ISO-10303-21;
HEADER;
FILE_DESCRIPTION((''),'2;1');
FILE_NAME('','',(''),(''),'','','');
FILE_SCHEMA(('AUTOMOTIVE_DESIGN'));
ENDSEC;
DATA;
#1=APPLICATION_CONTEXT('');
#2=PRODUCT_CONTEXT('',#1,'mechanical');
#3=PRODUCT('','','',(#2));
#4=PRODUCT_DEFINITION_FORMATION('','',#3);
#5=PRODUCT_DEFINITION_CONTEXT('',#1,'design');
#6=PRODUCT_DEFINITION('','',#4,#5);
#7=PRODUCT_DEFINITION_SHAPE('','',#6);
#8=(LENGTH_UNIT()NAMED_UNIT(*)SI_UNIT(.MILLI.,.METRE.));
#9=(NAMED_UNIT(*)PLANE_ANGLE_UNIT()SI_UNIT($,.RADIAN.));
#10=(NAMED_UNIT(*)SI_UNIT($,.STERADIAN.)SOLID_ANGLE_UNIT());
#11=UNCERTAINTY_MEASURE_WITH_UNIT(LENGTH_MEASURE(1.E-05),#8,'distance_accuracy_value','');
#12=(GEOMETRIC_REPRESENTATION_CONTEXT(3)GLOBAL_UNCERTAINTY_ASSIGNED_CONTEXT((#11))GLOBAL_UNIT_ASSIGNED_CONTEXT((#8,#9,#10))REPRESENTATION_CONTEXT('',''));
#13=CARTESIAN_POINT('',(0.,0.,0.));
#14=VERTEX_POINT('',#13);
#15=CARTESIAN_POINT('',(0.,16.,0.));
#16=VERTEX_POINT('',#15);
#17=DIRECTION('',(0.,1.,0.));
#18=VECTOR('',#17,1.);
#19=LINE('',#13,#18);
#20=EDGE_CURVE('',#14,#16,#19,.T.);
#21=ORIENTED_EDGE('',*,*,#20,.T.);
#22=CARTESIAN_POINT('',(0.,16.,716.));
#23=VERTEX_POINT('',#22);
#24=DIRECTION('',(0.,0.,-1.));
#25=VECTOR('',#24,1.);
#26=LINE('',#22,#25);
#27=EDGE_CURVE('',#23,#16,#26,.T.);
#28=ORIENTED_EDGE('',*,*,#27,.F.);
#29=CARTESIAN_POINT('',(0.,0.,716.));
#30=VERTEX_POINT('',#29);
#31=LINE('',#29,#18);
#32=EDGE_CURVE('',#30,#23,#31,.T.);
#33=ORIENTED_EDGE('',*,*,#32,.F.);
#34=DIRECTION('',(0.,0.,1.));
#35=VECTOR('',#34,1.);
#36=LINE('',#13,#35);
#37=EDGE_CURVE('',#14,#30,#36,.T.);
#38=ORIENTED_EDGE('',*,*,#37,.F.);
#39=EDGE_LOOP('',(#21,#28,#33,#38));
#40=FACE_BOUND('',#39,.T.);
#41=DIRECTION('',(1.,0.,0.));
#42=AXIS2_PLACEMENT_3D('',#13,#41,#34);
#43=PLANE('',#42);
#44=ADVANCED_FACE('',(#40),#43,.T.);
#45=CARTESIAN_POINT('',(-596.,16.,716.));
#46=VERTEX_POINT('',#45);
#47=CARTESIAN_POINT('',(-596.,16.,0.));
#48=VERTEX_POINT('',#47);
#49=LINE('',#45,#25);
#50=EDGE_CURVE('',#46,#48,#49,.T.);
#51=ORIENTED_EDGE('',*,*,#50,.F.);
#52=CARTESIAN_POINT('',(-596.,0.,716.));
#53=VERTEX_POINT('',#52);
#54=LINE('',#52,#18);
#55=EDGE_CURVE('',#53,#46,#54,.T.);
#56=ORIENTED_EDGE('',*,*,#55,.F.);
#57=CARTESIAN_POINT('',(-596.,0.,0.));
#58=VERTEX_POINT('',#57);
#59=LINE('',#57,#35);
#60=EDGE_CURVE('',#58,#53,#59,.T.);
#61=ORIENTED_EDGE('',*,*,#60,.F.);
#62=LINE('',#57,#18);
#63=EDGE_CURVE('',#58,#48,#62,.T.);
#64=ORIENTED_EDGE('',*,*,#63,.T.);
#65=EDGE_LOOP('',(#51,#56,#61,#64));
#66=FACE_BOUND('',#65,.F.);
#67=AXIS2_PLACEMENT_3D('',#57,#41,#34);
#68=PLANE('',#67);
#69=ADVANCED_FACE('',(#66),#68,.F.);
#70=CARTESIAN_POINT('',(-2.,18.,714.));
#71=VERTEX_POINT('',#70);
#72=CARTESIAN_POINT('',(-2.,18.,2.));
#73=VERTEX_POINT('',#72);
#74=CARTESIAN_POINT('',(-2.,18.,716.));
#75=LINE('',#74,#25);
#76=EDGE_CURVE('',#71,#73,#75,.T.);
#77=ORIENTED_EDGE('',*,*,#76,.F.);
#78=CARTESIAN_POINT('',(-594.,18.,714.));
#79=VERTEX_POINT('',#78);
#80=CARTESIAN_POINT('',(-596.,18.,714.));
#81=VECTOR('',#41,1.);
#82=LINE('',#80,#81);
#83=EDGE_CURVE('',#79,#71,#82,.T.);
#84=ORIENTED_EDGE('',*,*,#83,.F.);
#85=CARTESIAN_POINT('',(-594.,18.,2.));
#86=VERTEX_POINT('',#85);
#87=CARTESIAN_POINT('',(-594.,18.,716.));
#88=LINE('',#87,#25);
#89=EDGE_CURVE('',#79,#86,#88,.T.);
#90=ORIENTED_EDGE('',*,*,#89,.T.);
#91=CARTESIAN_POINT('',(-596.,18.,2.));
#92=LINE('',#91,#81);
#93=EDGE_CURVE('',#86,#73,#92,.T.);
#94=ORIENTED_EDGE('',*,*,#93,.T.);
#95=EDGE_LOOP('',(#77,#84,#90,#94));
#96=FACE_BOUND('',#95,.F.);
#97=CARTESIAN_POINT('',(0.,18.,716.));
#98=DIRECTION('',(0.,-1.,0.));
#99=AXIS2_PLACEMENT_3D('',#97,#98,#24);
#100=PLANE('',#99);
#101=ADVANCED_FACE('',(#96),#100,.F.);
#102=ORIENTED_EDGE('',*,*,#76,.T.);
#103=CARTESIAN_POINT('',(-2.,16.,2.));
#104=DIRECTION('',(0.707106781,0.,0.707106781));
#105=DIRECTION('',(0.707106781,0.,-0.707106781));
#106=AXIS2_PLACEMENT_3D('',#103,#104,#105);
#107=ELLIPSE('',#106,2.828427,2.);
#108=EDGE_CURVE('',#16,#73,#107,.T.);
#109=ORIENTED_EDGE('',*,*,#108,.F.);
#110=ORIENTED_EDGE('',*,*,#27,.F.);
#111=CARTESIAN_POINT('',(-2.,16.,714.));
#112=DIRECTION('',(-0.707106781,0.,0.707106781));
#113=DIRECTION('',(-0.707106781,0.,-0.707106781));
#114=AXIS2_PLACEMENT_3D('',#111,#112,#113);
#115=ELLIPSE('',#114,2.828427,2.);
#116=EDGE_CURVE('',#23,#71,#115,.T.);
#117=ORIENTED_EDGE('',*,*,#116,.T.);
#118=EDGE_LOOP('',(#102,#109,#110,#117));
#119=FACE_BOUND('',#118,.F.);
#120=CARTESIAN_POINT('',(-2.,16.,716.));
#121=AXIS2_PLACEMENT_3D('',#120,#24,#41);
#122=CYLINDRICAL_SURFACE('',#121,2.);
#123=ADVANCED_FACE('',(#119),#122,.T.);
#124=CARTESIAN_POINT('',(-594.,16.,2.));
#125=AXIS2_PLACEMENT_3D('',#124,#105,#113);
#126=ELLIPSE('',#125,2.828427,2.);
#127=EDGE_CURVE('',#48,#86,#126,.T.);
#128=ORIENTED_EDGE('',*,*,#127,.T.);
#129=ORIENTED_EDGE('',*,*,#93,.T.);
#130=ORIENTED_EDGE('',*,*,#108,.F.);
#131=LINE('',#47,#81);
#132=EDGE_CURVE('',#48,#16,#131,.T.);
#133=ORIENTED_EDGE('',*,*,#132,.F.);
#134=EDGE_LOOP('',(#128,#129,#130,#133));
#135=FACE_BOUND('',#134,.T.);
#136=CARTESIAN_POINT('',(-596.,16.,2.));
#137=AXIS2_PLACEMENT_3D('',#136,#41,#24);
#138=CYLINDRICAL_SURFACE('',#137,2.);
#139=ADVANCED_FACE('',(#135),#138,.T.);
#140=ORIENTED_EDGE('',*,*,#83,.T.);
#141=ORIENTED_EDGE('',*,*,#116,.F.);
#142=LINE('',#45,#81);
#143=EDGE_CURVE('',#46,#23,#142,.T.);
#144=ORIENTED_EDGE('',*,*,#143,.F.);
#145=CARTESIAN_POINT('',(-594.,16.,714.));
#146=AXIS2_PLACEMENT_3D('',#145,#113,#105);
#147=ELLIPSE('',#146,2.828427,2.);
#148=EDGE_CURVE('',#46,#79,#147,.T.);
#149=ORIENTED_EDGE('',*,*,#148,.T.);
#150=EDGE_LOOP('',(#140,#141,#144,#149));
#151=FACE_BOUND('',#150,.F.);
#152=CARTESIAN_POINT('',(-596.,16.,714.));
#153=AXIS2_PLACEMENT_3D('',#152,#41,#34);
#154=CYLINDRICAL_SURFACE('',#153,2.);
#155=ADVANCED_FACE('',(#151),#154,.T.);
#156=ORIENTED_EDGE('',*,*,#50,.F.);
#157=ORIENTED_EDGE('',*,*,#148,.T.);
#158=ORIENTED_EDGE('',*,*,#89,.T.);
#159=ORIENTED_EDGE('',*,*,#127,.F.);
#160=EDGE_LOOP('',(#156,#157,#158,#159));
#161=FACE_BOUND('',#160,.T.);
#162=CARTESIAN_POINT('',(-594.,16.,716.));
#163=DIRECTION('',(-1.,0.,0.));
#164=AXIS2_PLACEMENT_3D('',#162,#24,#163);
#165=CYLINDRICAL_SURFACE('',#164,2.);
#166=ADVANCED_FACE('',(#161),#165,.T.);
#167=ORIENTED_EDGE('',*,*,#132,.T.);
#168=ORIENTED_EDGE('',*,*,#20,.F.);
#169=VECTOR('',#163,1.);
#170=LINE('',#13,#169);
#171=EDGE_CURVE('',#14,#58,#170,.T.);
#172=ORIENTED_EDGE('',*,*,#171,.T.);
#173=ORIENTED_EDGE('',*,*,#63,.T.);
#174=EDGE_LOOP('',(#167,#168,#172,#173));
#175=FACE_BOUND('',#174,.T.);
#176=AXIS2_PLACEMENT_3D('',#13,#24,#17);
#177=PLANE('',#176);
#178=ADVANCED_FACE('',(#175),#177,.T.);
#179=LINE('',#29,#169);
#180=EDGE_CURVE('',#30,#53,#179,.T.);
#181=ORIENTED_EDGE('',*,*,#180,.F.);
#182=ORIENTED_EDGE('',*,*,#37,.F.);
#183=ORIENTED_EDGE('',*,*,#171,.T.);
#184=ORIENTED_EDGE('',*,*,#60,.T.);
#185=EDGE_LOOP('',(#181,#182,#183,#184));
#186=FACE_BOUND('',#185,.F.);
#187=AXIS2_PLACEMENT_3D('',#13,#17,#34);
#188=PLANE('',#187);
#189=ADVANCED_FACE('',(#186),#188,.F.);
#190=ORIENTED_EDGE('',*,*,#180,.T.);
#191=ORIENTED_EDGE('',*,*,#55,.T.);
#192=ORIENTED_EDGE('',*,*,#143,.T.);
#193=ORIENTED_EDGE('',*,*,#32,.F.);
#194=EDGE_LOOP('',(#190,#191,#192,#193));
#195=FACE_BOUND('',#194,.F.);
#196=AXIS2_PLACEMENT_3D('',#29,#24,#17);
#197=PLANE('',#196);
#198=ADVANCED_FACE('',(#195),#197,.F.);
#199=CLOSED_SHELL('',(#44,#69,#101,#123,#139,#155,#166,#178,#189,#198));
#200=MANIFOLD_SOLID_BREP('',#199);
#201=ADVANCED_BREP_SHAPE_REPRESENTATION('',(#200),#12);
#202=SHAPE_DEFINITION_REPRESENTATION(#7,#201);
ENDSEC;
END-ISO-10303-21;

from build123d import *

# Parameters (mm, degrees)
F0_W     = 39.6928340197
F0_H     = 31.0325622559
F1_DEPTH = 18
F2_DEPTH = 716
F3_DEPTH = 596
F4_R     = 2


with BuildPart() as f1:
    # F0 (on Front) → F1 (new body)
    with BuildSketch(Plane.XZ):
        with Locations((-19.8464170098, 15.5162811279)):
            Rectangle(F0_W, F0_H)
    extrude(amount=-F1_DEPTH)

    # F2 (add): a face of the model
    f2_faces = [f1.faces().sort_by_distance(p)[0] for p in [
        (-19.8464170098, 9, 0),
    ]]
    extrude(f2_faces, amount=-F2_DEPTH)

    # F3 (add): a face of the model
    f3_faces = [f1.faces().sort_by_distance(p)[0] for p in [
        (0, 9, 358),
    ]]
    extrude(f3_faces, amount=-F3_DEPTH)

    # F4
    f4_edges = [f1.edges().sort_by_distance(p)[0] for p in [
        (0, 18, 358),
        (-298, 18, 716),
        (-596, 18, 358),
        (-298, 18, 0),
    ]]
    fillet(f4_edges, radius=F4_R)


solid = f1.part
